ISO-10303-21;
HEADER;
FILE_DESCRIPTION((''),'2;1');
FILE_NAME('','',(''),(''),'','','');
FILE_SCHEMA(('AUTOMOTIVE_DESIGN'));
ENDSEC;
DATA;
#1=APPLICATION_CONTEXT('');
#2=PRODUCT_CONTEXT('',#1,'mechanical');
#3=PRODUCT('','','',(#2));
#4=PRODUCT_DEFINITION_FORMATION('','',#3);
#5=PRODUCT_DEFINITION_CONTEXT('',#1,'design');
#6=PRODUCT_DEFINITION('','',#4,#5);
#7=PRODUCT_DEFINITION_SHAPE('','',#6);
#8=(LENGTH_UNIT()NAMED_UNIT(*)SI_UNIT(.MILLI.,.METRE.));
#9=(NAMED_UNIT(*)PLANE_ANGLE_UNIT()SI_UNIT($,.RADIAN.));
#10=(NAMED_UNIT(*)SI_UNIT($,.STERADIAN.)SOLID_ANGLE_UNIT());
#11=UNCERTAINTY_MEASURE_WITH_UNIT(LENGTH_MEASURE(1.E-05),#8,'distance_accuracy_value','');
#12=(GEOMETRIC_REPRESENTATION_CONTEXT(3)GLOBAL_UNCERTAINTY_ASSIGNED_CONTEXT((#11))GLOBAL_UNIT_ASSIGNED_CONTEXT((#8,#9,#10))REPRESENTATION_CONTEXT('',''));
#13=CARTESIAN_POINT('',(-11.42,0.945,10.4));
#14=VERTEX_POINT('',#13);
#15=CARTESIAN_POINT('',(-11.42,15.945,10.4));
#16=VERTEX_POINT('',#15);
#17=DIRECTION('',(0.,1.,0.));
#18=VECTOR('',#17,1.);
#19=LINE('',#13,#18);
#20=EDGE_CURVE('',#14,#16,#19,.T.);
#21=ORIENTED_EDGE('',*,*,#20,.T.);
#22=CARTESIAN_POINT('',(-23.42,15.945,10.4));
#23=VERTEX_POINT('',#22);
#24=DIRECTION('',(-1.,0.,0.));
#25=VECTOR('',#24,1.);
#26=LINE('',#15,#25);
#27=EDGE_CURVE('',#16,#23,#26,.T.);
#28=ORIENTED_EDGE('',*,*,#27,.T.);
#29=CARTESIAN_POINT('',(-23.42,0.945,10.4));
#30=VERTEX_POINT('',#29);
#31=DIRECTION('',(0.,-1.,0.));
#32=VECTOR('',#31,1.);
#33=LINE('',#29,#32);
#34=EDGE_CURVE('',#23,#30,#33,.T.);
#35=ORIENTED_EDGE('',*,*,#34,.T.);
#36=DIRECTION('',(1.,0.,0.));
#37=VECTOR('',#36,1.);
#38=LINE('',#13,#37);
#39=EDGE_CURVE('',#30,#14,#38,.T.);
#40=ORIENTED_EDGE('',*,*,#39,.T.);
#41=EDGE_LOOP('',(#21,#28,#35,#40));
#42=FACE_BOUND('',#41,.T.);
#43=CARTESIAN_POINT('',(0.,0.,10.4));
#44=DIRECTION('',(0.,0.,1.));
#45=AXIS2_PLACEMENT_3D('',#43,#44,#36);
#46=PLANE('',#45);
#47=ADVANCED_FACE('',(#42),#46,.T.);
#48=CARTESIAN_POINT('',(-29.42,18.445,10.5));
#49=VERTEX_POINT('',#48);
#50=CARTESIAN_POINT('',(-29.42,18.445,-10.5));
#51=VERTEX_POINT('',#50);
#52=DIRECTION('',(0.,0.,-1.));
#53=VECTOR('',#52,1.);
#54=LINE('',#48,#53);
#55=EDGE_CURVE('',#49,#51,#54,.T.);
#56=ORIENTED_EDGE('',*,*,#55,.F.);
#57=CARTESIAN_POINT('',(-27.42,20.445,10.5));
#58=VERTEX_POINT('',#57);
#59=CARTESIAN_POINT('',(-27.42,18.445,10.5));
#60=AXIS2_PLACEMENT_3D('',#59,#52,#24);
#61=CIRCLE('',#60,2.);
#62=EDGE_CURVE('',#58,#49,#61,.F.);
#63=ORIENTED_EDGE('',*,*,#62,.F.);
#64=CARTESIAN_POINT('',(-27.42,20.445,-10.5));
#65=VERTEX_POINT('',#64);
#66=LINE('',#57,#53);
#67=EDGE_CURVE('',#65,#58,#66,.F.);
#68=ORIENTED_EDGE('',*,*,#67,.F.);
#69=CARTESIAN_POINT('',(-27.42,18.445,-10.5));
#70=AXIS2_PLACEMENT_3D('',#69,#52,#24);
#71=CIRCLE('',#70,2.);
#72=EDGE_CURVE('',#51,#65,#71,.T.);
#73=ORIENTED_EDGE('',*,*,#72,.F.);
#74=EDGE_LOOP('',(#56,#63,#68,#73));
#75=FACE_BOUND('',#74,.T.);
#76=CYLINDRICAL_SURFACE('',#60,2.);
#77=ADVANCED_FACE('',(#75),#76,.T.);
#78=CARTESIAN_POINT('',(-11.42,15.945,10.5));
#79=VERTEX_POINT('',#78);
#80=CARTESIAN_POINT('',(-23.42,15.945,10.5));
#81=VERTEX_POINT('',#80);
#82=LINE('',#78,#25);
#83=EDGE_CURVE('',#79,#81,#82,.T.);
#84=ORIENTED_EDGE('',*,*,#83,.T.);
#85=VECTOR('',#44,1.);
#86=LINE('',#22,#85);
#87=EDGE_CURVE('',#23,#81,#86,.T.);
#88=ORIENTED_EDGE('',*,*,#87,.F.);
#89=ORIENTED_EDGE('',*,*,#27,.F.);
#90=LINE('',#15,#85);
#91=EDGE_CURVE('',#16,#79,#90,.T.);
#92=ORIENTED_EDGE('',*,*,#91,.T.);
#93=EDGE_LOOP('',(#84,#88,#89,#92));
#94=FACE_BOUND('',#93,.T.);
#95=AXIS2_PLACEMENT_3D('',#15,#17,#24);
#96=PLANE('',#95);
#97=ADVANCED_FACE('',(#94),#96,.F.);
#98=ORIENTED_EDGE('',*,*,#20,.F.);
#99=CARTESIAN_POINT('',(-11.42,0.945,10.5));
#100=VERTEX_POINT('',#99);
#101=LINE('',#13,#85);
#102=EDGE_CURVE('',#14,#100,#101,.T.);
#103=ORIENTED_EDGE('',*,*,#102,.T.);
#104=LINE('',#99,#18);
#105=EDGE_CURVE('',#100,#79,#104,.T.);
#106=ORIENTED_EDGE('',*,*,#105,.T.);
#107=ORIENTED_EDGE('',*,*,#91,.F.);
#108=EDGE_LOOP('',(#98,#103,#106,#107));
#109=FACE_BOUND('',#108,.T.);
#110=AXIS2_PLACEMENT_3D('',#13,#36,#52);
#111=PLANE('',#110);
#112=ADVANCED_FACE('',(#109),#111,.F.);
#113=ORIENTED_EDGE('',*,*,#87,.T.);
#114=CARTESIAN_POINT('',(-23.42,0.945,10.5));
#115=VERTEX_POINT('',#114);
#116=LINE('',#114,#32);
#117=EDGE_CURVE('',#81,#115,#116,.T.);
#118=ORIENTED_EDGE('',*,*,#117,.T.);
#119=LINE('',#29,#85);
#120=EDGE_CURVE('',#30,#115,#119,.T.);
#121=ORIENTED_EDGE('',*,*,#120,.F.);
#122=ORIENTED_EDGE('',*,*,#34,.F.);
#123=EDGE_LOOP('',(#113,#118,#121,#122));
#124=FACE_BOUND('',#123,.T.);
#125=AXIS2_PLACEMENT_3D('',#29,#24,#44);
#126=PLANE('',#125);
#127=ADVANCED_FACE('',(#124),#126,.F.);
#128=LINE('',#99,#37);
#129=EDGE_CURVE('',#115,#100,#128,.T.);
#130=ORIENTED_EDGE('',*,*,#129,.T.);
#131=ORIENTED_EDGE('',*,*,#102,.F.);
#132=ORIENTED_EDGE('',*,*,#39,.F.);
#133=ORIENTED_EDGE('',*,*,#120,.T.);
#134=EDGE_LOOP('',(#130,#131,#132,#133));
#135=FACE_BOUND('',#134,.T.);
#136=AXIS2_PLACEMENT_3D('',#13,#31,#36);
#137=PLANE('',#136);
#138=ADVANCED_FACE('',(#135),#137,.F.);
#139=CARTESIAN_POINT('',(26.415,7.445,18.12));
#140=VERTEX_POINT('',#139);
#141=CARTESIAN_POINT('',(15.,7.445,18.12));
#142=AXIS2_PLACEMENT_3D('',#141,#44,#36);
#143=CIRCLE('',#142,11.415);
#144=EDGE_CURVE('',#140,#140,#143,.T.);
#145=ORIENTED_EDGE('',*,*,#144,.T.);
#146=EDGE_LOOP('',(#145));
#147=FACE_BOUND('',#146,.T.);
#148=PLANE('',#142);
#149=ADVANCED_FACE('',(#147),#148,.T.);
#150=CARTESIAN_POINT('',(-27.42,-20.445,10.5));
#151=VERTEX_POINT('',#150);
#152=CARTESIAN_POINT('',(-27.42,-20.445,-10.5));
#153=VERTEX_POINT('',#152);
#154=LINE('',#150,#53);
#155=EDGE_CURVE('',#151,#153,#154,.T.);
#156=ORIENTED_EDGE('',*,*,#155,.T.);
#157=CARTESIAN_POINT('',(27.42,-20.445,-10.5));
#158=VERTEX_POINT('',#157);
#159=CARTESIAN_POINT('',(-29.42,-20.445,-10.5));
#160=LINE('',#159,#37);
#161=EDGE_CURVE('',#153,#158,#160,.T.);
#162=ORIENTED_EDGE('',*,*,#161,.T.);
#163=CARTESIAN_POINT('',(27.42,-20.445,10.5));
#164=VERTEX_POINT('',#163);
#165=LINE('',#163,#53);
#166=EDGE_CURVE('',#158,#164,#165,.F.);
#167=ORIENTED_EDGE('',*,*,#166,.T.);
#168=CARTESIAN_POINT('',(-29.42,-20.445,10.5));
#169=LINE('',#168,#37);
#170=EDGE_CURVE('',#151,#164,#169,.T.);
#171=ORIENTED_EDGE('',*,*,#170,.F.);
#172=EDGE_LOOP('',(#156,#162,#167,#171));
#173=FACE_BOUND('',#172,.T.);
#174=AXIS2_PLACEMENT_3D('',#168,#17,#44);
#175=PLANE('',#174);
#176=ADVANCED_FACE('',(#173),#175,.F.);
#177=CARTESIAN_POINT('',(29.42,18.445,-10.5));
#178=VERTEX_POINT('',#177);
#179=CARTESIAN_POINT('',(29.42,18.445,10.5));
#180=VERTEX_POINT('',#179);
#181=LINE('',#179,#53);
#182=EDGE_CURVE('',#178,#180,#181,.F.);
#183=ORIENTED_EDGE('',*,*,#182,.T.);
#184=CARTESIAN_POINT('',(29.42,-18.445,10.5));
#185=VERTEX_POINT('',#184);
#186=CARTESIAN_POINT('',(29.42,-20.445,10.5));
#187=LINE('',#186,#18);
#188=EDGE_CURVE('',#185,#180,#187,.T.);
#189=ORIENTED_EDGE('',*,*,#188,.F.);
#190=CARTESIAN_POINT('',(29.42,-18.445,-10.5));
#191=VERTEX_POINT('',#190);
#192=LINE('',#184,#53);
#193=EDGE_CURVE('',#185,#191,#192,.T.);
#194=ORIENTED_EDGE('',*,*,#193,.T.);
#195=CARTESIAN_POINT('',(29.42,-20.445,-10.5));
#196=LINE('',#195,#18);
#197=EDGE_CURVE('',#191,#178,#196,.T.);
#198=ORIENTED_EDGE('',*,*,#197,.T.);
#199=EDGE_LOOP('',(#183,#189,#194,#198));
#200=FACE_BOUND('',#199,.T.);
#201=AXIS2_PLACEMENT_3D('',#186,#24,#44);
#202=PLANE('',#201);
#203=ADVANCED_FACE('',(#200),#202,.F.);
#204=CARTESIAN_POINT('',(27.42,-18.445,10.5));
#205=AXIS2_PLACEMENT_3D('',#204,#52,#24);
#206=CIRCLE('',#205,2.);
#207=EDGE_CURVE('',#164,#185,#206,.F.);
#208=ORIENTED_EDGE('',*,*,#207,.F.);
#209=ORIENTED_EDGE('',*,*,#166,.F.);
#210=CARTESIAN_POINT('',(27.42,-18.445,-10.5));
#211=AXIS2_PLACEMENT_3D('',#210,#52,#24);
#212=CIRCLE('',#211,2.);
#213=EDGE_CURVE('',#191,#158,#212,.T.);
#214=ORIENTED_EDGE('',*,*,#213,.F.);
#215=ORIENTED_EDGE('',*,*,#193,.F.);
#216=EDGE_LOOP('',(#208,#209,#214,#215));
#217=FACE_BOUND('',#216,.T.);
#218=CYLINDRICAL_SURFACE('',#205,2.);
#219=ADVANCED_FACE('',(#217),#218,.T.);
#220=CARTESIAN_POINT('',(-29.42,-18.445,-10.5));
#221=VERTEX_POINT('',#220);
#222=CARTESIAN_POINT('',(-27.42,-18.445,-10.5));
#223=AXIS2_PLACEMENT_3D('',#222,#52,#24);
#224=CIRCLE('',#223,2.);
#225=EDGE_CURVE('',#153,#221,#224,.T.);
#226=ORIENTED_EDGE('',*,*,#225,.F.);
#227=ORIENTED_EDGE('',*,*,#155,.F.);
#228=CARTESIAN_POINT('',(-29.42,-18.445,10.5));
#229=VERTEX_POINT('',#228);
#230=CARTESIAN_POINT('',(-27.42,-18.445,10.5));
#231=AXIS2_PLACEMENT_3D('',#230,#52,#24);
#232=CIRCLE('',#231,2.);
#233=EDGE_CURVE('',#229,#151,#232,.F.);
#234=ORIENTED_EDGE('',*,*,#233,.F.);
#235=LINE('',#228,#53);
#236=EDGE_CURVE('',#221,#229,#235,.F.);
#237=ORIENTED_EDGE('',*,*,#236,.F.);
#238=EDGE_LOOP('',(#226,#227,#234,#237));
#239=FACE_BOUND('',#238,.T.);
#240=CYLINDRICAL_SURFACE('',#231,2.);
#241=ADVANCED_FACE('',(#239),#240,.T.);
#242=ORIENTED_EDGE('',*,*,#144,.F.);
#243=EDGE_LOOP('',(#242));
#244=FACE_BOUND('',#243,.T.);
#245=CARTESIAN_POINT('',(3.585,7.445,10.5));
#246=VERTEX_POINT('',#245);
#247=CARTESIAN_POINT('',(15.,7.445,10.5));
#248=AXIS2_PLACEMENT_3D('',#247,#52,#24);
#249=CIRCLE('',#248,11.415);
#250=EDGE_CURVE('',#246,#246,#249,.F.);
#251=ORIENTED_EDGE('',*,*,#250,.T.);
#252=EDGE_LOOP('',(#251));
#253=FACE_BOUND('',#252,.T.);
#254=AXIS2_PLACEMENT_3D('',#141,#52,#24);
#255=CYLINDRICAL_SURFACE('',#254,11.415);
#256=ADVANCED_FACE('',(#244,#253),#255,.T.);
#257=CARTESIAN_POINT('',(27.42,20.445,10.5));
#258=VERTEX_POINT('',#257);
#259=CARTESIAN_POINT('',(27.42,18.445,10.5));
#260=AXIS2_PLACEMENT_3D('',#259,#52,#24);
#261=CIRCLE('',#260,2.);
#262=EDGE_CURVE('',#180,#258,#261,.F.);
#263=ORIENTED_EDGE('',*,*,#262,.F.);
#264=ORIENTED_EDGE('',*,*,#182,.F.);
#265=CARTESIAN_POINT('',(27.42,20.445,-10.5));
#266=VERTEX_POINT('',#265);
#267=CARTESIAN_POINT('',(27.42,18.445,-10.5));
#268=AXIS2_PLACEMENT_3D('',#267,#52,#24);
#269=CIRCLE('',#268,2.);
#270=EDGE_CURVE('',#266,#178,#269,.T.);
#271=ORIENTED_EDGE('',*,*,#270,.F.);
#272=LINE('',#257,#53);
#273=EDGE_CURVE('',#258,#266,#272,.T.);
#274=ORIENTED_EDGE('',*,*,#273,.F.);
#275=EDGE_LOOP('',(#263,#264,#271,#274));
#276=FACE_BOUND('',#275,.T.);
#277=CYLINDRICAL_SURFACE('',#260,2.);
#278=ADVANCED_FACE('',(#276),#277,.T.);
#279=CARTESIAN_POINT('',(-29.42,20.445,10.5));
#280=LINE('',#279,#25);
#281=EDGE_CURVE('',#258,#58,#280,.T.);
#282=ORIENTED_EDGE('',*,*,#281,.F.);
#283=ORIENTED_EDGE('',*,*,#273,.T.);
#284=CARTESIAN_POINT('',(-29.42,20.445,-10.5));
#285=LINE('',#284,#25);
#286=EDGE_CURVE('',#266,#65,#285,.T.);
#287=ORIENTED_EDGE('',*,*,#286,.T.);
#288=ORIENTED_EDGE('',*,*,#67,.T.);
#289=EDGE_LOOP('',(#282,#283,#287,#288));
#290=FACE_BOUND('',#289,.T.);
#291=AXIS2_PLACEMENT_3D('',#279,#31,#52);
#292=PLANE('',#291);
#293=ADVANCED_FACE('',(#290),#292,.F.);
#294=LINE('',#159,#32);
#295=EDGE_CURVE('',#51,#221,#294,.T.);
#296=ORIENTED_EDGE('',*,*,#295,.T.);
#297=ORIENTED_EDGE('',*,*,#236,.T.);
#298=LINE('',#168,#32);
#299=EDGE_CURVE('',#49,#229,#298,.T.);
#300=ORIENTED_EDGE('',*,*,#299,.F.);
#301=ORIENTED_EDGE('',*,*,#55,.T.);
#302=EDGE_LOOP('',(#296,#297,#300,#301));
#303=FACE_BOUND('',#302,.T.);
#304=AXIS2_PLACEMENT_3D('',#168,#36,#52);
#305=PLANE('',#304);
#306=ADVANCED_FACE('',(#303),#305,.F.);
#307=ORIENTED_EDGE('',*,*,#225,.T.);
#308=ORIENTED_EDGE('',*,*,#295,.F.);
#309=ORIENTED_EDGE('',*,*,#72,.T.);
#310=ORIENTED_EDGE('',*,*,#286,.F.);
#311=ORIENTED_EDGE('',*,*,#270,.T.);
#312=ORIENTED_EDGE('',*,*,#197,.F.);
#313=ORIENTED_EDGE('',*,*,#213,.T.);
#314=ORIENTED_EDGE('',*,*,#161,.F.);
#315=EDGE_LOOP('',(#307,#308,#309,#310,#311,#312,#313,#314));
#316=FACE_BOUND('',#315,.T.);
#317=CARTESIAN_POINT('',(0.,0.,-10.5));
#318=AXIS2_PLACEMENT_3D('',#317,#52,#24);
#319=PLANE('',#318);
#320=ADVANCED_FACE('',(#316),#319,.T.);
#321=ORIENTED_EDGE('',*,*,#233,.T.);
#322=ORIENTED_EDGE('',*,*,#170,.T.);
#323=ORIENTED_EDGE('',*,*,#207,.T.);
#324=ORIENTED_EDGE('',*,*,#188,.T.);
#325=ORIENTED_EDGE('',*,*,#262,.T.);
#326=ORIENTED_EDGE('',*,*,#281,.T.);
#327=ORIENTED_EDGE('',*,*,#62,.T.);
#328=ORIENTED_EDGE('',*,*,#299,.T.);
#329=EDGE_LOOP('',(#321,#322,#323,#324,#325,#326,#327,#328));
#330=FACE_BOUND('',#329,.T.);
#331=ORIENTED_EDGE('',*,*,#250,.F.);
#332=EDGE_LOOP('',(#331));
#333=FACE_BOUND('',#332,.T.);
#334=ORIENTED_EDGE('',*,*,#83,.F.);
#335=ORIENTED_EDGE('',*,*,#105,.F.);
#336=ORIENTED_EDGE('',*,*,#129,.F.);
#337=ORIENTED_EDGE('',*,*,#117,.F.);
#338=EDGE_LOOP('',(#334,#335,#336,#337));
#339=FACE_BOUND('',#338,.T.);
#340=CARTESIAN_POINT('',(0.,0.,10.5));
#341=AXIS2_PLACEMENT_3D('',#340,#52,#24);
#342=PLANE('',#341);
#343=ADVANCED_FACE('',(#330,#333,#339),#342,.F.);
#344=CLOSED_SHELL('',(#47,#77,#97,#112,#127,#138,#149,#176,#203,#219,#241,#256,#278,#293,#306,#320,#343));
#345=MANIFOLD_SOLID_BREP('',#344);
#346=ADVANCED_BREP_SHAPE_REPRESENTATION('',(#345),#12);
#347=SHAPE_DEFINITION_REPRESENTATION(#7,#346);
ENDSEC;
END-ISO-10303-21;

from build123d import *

# Parameters (mm, degrees)
SKETCH1_W           = 58.84
SKETCH1_H           = 40.89
BOSS_EXTRUDE1_DEPTH = 10.5
SKETCH2_R           = 11.415
BOSS_EXTRUDE2_DEPTH = 7.62
SKETCH4_W           = 12
SKETCH4_H           = 15
CUT_EXTRUDE1_DEPTH  = 0.1
FILLET1_R           = 2


with BuildPart() as part:
    # Sketch1 → Boss-Extrude1 (new body, symmetric)
    with BuildSketch(Plane.XY):
        Rectangle(SKETCH1_W, SKETCH1_H)
    extrude(amount=BOSS_EXTRUDE1_DEPTH, both=True)

    # Sketch2 → Boss-Extrude2 (add)
    with BuildSketch(Plane.XY.offset(10.5)):
        with Locations((15, 7.445)):
            Circle(SKETCH2_R)
    extrude(amount=BOSS_EXTRUDE2_DEPTH)

    # Sketch4 → Cut-Extrude1 (cut)
    with BuildSketch(Plane.XY.offset(10.5)):
        with Locations((-17.42, 8.445)):
            Rectangle(SKETCH4_W, SKETCH4_H)
    extrude(amount=-CUT_EXTRUDE1_DEPTH, mode=Mode.SUBTRACT)

    # Fillet1
    fillet1_edges = [part.edges().sort_by_distance(p)[0] for p in [
        (29.42, -20.445, 0),
        (-29.42, -20.445, 0),
        (-29.42, 20.445, 0),
        (29.42, 20.445, 0),
    ]]
    fillet(fillet1_edges, radius=FILLET1_R)


solid = part.part
